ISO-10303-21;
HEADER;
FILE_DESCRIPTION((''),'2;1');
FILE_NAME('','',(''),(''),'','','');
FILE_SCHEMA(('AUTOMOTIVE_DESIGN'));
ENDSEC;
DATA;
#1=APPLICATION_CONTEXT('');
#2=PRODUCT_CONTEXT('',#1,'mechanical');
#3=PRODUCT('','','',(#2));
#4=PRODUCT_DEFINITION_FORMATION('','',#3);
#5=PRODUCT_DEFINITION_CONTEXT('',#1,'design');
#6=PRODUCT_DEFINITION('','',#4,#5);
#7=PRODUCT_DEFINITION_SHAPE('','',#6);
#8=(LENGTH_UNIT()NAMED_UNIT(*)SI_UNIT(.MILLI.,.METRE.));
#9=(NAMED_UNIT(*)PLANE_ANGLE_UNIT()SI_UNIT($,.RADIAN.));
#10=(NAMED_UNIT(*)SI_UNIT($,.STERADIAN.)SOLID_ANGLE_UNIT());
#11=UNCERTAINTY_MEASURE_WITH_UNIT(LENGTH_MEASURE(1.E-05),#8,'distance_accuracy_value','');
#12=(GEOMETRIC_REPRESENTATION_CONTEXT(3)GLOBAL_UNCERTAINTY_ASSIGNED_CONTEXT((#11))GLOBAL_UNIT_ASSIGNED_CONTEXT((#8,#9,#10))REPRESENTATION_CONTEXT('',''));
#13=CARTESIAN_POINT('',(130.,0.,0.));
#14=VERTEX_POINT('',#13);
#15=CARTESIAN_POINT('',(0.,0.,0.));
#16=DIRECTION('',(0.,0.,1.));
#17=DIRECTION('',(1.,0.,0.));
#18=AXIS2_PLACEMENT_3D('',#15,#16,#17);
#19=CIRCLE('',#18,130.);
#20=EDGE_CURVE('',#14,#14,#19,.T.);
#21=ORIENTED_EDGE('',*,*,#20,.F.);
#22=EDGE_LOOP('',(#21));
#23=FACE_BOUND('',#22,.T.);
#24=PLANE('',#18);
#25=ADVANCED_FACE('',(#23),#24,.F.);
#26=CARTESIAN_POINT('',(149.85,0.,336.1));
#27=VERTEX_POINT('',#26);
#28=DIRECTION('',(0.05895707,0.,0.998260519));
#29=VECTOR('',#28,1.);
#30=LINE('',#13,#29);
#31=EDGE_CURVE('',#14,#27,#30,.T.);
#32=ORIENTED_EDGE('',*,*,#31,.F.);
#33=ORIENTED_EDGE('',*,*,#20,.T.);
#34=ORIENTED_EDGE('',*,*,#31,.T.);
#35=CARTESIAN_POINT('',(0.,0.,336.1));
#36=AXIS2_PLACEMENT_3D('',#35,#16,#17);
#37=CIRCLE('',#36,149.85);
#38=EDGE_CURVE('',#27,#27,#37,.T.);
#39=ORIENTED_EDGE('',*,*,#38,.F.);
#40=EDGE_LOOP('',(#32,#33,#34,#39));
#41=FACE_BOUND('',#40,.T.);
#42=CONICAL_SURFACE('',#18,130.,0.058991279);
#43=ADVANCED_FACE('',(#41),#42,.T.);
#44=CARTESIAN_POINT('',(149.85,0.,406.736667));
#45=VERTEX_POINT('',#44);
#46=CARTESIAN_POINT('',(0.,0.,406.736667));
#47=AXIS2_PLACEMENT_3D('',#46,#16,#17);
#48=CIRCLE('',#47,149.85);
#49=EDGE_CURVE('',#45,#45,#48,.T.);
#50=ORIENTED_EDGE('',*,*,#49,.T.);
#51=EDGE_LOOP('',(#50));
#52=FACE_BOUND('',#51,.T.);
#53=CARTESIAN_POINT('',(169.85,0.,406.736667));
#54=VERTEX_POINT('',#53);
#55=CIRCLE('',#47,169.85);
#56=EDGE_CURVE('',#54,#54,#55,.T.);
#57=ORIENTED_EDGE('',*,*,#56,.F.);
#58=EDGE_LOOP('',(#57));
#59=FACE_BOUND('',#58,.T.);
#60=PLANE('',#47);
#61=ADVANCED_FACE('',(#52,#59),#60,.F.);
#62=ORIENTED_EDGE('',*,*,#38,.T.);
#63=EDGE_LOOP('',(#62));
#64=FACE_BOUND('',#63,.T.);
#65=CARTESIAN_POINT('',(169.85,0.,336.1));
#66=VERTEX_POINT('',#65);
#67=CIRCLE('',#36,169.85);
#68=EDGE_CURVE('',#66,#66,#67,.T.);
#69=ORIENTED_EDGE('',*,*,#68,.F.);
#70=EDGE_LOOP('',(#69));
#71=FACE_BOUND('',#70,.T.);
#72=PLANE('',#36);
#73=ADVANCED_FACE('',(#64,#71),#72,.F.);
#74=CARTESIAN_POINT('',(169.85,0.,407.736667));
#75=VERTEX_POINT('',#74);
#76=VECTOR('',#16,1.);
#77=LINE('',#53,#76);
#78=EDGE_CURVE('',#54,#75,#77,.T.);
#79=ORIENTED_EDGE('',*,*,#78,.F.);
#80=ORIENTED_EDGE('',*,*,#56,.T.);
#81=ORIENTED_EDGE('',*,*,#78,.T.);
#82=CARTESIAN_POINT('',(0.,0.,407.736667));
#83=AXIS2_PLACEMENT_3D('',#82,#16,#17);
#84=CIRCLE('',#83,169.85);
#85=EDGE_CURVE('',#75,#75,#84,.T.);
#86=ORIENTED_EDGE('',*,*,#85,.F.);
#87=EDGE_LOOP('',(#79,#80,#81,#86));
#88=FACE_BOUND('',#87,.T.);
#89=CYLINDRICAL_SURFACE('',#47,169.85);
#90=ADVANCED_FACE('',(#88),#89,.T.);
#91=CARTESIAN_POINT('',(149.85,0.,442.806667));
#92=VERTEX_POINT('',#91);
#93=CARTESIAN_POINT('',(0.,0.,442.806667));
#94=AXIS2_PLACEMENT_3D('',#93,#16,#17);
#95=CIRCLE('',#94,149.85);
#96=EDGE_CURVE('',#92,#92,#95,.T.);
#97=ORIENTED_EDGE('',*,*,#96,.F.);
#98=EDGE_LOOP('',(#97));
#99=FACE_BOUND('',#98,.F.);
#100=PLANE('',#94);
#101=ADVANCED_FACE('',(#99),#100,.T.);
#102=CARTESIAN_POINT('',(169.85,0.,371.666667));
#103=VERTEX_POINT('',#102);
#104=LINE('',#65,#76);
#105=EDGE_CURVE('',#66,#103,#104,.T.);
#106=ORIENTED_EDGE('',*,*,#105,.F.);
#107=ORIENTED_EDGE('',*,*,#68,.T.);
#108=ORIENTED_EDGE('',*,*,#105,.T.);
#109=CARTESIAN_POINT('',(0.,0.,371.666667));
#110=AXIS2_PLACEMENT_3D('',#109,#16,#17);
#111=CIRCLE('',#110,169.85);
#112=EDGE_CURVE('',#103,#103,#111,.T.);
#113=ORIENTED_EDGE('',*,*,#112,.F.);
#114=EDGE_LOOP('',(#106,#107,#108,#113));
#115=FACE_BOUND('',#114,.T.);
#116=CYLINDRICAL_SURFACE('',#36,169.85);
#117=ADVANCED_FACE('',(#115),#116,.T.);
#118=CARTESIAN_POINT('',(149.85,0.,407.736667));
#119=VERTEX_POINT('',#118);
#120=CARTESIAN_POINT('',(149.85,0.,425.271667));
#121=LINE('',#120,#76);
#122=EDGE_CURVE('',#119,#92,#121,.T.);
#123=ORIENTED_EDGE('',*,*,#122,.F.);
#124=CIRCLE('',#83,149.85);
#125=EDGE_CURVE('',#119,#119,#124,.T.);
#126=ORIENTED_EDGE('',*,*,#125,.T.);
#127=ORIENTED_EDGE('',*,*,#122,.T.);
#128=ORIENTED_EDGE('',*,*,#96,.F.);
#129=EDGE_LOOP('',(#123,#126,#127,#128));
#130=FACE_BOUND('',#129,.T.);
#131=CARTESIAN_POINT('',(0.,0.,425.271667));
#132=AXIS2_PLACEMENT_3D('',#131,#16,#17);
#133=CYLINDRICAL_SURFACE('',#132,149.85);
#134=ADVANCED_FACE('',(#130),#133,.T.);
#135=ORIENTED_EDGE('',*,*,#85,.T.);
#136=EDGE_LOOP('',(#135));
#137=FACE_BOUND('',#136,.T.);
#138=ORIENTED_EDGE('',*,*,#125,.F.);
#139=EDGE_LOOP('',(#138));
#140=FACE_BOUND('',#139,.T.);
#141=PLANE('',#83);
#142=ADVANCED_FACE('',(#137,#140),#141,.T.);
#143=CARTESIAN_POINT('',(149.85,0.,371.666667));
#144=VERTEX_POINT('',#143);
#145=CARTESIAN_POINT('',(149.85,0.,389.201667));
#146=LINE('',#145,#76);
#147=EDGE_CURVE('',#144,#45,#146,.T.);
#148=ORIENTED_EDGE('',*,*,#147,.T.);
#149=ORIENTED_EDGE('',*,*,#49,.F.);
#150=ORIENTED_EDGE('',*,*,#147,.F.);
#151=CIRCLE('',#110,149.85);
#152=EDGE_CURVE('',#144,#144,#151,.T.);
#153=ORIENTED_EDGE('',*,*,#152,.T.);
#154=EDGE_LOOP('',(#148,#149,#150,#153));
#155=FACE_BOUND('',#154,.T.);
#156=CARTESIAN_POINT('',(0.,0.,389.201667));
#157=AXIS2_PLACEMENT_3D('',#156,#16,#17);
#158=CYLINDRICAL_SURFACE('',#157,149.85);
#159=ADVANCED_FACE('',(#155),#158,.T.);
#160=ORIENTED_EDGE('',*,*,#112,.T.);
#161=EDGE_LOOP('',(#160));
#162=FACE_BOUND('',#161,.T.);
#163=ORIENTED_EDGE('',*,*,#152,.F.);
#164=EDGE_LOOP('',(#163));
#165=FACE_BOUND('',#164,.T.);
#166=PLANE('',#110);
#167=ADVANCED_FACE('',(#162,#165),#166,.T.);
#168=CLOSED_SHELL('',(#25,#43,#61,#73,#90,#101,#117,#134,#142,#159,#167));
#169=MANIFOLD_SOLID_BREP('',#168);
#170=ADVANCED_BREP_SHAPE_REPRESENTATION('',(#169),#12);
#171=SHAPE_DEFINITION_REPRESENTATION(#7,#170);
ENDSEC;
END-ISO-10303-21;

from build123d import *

# Parameters (mm, degrees)
F0_W = 149.85
F0_H = 35.07


with BuildPart() as f1:
    # F0 (on Front) → F1 (revolve)
    with BuildSketch(Plane.XZ):
        Polygon((0, 336.1), (0, 0), (130, 0), (149.85, 336.1), align=None)
        Polygon((0, 371.666667), (0, 336.1), (149.85, 336.1), (169.85, 336.1), (169.85, 371.666667), (149.85, 371.666667), align=None)
        with Locations((74.925, 389.201667)):
            Rectangle(F0_W, F0_H)
        Polygon((0, 407.736667), (0, 406.736667), (149.85, 406.736667), (169.85, 406.736667), (169.85, 407.736667), (149.85, 407.736667), align=None)
        with Locations((74.925, 425.271667)):
            Rectangle(F0_W, F0_H)
    revolve(axis=Axis((0, 0, 168.05), (0, 0, 1)))


solid = f1.part
